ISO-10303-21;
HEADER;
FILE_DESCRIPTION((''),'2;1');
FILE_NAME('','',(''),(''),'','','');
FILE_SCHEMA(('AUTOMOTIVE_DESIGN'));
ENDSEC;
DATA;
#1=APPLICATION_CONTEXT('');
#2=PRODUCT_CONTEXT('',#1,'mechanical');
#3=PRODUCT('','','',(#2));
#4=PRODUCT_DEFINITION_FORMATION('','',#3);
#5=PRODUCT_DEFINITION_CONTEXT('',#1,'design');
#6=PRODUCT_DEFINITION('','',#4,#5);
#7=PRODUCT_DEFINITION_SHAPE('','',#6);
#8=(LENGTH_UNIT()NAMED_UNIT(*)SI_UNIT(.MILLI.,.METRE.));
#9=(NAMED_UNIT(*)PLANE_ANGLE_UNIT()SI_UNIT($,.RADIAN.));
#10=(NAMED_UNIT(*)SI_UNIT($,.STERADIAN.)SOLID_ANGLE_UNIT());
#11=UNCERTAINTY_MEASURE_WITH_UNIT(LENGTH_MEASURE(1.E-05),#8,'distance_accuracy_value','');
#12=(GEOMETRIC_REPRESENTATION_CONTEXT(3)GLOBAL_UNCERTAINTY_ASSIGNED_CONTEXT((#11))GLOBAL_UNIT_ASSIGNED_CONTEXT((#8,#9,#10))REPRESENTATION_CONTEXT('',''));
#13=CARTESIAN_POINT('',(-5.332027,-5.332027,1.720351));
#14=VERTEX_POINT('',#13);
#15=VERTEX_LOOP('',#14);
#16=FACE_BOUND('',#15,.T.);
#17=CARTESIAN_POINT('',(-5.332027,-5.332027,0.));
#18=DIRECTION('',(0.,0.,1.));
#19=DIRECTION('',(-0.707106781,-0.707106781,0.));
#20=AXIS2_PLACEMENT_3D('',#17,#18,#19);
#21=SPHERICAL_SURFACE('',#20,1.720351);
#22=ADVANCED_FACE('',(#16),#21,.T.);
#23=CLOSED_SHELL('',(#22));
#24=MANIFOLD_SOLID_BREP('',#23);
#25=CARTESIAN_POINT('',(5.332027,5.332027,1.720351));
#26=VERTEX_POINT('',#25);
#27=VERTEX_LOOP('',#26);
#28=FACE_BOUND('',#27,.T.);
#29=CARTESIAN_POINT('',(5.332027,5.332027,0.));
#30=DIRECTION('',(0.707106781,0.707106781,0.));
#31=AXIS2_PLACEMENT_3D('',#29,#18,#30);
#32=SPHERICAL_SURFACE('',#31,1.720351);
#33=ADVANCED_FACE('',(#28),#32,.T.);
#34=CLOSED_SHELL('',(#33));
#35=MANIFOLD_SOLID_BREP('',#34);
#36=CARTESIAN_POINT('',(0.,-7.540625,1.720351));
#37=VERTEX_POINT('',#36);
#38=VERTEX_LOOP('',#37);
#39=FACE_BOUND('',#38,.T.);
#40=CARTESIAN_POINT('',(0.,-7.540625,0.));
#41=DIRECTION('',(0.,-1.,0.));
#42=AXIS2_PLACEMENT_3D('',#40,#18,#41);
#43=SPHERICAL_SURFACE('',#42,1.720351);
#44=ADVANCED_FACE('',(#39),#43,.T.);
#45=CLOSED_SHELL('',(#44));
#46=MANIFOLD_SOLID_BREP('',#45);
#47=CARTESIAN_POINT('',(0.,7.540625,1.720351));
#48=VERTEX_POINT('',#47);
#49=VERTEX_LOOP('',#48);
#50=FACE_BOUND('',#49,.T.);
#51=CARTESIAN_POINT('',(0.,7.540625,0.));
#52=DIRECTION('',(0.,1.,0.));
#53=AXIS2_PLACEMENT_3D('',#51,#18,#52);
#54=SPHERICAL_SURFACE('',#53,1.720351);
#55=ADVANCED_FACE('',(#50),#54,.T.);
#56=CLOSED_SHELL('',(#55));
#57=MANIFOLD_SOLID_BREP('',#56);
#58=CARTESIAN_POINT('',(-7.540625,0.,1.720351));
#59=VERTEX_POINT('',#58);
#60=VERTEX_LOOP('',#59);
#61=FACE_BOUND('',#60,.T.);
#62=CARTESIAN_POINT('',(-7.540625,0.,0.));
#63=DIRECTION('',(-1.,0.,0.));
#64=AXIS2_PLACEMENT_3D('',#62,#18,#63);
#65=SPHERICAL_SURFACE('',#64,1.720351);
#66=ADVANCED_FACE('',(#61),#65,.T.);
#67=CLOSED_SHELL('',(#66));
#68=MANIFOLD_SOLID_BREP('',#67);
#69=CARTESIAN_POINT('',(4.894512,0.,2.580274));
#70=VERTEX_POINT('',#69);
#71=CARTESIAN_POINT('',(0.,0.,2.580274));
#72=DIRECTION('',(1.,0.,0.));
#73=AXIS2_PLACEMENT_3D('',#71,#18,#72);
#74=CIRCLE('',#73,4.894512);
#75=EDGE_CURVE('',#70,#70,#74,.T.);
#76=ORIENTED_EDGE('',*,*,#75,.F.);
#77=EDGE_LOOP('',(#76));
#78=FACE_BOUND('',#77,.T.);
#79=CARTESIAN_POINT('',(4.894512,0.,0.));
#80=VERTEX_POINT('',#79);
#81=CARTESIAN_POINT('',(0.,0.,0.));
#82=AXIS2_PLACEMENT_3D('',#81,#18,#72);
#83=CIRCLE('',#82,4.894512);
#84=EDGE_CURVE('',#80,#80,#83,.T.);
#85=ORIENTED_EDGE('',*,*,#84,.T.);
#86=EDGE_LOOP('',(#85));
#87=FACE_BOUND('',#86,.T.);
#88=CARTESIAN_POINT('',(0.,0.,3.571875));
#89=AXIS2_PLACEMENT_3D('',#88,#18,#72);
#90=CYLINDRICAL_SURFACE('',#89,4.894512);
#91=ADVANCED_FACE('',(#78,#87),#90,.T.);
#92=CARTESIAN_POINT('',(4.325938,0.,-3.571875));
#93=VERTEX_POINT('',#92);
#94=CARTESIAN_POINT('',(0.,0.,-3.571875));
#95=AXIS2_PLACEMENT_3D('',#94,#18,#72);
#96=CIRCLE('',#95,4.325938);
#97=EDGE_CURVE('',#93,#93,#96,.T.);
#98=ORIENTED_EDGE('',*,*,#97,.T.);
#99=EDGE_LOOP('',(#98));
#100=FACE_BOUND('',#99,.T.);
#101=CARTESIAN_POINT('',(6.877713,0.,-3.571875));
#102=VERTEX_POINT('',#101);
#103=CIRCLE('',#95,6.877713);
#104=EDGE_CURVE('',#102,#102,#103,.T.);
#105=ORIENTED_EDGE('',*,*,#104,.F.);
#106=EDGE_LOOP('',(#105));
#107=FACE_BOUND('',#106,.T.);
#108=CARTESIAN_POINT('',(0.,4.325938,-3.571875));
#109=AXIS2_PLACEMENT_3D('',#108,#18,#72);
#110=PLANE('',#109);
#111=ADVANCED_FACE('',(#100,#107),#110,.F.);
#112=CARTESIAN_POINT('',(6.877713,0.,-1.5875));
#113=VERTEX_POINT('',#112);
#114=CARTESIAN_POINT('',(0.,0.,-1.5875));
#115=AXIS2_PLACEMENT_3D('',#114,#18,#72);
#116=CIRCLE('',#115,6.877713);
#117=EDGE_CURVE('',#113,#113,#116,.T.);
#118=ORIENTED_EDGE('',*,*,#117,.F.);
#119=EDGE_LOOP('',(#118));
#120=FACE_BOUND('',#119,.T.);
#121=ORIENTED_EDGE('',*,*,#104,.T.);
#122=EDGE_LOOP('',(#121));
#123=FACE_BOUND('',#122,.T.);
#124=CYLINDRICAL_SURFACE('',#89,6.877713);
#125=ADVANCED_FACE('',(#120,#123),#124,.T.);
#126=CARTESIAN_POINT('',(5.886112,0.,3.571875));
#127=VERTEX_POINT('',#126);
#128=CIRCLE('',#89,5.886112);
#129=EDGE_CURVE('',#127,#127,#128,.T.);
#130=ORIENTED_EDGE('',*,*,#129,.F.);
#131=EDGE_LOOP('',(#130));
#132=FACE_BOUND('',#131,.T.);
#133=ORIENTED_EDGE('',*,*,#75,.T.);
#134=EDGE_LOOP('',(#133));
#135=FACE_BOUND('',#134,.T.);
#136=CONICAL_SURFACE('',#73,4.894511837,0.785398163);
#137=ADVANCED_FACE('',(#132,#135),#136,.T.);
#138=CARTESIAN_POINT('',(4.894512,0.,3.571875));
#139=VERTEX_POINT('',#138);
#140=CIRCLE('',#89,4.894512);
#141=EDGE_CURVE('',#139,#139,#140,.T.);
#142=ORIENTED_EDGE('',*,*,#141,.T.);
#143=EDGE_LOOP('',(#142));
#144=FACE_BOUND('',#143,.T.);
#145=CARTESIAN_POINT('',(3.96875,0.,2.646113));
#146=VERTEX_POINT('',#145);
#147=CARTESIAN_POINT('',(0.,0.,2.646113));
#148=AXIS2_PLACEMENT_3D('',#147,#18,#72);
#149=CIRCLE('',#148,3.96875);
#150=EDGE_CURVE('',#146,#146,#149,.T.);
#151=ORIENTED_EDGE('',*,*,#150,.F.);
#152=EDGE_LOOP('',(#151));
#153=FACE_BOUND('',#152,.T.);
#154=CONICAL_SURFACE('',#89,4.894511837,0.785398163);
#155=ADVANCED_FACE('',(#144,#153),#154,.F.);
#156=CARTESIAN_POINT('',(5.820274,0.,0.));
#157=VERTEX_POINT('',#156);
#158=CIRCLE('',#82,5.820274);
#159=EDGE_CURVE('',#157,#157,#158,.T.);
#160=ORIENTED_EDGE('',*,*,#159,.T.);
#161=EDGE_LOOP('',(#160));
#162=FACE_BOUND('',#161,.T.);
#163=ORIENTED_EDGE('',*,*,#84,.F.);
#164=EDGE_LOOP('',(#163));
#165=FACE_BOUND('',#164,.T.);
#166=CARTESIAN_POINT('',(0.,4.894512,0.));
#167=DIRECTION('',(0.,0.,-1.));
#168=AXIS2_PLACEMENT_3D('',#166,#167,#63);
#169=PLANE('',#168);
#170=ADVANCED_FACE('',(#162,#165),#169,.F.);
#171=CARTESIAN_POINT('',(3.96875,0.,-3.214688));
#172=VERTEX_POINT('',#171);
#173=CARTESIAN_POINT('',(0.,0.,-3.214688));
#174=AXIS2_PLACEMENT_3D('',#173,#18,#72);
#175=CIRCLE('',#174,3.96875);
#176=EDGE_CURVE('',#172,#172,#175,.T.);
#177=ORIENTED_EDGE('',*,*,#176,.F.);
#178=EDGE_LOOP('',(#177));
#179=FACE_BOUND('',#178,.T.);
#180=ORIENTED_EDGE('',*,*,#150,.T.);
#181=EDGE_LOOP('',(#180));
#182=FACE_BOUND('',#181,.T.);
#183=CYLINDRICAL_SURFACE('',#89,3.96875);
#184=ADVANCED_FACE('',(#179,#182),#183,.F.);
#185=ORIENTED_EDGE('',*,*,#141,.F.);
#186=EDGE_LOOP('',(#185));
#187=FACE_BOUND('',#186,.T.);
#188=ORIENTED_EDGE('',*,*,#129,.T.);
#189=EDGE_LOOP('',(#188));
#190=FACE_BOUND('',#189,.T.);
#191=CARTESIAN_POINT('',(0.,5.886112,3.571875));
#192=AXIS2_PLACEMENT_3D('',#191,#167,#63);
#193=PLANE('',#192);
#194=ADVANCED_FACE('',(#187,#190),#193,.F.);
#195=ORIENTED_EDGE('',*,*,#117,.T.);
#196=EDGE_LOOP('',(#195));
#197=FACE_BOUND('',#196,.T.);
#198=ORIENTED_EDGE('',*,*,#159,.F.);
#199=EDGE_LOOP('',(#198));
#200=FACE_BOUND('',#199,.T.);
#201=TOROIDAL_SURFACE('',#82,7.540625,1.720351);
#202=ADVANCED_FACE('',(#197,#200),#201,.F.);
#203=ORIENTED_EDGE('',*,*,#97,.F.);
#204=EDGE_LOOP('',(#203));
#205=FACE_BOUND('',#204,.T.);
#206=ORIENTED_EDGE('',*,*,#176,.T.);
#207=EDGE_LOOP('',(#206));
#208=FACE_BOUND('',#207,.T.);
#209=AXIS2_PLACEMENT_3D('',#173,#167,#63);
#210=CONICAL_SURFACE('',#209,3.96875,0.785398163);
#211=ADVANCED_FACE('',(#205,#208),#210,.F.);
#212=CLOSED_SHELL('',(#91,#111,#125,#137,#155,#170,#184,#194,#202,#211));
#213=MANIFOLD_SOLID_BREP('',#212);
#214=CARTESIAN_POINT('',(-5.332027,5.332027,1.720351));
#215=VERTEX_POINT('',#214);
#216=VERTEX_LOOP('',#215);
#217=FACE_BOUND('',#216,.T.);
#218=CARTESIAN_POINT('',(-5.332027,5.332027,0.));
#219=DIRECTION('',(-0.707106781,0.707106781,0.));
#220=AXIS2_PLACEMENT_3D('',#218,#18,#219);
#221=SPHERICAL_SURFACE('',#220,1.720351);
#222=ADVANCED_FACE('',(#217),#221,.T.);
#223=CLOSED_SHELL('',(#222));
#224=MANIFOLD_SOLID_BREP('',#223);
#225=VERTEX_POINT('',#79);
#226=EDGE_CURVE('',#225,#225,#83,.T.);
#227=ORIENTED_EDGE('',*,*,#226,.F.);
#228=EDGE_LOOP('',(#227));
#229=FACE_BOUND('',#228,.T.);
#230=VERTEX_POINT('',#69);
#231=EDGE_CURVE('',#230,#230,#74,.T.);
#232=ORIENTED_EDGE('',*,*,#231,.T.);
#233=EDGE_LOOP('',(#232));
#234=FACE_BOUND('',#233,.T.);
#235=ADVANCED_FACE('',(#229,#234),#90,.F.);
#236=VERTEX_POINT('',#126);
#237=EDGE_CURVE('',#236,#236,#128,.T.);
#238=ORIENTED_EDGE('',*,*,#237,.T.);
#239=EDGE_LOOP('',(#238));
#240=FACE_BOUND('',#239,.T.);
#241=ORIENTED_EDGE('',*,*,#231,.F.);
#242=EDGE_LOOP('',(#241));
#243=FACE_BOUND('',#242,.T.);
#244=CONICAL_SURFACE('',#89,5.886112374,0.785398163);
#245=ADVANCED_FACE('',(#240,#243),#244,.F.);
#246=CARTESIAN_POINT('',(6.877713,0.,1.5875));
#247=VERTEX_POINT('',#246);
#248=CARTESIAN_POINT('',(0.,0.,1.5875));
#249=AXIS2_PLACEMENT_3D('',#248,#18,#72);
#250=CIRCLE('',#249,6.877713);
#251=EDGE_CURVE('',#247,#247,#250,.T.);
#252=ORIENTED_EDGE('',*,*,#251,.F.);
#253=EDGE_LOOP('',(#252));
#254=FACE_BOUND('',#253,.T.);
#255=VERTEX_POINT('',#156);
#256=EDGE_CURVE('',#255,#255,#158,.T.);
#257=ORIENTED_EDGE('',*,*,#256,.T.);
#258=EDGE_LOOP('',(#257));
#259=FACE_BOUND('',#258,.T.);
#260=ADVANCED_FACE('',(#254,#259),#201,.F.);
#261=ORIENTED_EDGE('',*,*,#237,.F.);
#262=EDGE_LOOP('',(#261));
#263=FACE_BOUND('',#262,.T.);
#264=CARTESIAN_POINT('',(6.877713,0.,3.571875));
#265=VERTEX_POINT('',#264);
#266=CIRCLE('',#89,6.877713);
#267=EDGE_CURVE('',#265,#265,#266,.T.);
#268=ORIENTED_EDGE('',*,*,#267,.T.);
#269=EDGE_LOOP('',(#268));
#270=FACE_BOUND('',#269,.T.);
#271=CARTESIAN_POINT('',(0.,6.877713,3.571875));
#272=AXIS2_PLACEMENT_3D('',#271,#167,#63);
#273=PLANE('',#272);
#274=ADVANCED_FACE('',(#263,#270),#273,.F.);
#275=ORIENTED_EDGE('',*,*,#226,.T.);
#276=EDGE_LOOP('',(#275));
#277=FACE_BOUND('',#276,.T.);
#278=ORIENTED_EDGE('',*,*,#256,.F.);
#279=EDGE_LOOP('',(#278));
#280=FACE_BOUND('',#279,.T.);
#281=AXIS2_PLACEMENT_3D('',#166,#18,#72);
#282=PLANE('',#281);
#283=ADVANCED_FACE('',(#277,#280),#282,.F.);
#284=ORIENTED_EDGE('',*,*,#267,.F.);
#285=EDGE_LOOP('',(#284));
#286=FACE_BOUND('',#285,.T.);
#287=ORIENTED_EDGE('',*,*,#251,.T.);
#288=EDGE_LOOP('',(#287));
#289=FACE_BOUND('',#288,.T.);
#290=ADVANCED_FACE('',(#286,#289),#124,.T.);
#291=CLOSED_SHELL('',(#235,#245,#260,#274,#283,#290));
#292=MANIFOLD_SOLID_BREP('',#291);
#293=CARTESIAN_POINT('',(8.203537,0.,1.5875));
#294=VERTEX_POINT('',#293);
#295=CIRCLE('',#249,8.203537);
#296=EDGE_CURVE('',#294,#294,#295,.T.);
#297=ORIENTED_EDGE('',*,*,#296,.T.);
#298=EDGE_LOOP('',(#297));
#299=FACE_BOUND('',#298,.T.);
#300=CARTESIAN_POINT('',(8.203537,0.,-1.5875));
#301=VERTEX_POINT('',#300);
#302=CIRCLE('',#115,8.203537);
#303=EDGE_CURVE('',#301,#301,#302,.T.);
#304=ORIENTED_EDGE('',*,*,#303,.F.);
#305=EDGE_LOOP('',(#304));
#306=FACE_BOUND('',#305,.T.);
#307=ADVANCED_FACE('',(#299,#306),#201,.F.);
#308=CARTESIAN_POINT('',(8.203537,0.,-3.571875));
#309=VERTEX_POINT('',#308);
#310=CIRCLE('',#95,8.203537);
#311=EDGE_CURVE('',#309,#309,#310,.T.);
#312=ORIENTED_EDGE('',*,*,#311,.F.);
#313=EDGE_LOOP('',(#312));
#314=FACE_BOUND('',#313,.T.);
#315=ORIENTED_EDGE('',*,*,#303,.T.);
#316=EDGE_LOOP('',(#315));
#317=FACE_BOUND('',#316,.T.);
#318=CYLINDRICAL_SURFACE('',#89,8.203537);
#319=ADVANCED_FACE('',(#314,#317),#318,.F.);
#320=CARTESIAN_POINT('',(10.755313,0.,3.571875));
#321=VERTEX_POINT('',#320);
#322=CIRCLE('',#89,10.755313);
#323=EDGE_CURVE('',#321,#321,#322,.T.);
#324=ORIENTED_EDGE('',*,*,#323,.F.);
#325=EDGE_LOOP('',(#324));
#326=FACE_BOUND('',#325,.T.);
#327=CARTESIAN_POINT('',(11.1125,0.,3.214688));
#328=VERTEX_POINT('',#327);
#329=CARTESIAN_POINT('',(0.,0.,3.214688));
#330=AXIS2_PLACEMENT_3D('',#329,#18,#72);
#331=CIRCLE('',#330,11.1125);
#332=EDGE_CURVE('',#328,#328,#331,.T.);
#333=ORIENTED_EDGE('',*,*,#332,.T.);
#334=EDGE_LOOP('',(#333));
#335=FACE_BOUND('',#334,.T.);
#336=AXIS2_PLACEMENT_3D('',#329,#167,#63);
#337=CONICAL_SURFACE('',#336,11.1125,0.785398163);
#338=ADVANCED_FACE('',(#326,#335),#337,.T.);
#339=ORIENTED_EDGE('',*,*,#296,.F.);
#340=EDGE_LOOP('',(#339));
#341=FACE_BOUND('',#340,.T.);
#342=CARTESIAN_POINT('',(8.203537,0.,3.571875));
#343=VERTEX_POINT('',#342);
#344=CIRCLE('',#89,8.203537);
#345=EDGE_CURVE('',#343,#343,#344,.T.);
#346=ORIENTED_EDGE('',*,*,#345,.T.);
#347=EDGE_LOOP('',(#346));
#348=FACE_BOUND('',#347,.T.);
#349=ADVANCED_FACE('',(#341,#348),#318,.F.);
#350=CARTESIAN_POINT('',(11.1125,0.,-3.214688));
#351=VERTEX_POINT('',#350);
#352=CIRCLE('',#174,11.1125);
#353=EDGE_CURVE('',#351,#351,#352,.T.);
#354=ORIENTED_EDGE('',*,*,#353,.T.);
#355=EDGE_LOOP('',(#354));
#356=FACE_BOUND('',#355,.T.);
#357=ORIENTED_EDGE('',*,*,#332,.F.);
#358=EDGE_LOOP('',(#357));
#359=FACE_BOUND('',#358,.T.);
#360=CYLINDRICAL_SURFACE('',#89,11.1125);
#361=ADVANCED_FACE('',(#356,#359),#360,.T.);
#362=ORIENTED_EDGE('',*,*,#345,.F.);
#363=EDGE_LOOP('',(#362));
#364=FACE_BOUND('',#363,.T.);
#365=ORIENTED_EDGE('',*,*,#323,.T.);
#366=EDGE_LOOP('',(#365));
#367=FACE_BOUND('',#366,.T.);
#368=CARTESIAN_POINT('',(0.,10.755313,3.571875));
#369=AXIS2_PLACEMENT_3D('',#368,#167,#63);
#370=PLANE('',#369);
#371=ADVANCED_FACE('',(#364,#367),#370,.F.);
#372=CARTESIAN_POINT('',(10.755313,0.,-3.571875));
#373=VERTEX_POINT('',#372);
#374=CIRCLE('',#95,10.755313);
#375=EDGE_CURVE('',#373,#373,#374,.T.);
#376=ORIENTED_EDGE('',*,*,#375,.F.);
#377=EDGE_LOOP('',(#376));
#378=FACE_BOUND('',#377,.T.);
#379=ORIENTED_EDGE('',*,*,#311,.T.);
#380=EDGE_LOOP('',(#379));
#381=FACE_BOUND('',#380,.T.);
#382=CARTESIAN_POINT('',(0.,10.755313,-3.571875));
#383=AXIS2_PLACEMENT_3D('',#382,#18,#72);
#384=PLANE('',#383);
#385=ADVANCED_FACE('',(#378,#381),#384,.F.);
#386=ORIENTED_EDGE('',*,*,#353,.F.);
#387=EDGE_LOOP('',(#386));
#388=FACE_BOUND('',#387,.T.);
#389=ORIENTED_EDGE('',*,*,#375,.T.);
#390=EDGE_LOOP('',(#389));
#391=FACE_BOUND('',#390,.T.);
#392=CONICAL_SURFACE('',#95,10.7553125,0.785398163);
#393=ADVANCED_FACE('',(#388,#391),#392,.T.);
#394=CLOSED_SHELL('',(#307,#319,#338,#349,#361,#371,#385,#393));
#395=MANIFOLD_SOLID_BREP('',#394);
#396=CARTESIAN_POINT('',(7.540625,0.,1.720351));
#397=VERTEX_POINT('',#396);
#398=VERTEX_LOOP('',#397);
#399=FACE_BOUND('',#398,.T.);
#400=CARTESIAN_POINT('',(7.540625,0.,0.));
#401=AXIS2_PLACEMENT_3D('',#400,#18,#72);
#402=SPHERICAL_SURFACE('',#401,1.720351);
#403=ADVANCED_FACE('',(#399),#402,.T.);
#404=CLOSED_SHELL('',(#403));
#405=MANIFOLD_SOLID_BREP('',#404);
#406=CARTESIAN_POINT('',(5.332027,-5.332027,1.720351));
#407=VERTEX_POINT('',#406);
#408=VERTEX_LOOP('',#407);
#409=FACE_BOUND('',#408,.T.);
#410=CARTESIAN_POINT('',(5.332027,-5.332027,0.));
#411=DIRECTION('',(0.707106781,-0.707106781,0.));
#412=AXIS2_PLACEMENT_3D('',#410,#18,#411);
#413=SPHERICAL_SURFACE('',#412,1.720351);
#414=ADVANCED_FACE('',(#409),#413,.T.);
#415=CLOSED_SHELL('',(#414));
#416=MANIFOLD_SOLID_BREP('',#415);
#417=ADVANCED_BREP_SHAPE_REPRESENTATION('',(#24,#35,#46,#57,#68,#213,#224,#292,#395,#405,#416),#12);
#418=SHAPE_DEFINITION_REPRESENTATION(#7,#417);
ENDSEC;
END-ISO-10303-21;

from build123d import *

# Parameters (mm, degrees)
CIRPATTERN1_COUNT = 8


with BuildPart() as part:
    # Sketch1 → Revolve1 (revolve)
    with BuildSketch(Plane(origin=(0, 0, 0), x_dir=(0, 0, -1), z_dir=(1, 0, 0))):
        with BuildLine():
            Line((3.2146875, 11.1125), (-3.2146875, 11.1125))
            Line((-3.2146875, 11.1125), (-3.571875, 10.7553125))
            Line((-3.571875, 10.7553125), (-3.571875, 8.203537088))
            Line((-3.571875, 8.203537088), (-1.5875, 8.203537088))
            ThreePointArc((-1.5875, 8.203537088), (0, 9.260976326), (1.5875, 8.203537088))
            Line((1.5875, 8.203537088), (3.571875, 8.203537088))
            Line((3.571875, 8.203537088), (3.571875, 10.7553125))
            Line((3.571875, 10.7553125), (3.2146875, 11.1125))
        make_face()
    revolve(axis=Axis((0, 0, 3.571875), (0, 0, -1)))


with BuildPart() as body_2:
    # Sketch2 → Revolve2 (revolve)
    with BuildSketch(Plane(origin=(0, 0, 0), x_dir=(0, 0, -1), z_dir=(1, 0, 0))):
        with BuildLine():
            Line((-3.571875, 6.877712912), (-1.5875, 6.877712912))
            ThreePointArc((-1.5875, 6.877712912), (-0.95372087, 6.108834098), (0, 5.820273674))
            Line((0, 5.820273674), (0, 4.894511837))
            Line((0, 4.894511837), (-2.580274462, 4.894511837))
            Line((-2.580274462, 4.894511837), (-3.571875, 5.886112374))
            Line((-3.571875, 5.886112374), (-3.571875, 6.877712912))
        make_face()
    revolve(axis=Axis((0, 0, 3.571875), (0, 0, -1)))


with BuildPart() as body_3:
    # Sketch3 → Revolve3 (revolve)
    with BuildSketch(Plane(origin=(0, 0, 0), x_dir=(0, 0, -1), z_dir=(1, 0, 0))):
        with BuildLine():
            Line((-3.571875, 5.886112374), (-2.580274462, 4.894511837))
            Line((-2.580274462, 4.894511837), (0, 4.894511837))
            Line((0, 4.894511837), (0, 5.820273674))
            ThreePointArc((0, 5.820273674), (0.95372087, 6.108834098), (1.5875, 6.877712912))
            Line((1.5875, 6.877712912), (3.571875, 6.877712912))
            Line((3.571875, 6.877712912), (3.571875, 4.3259375))
            Line((3.571875, 4.3259375), (3.2146875, 3.96875))
            Line((3.2146875, 3.96875), (-2.646113163, 3.96875))
            Line((-2.646113163, 3.96875), (-3.571875, 4.894511837))
            Line((-3.571875, 4.894511837), (-3.571875, 5.886112374))
        make_face()
    revolve(axis=Axis((0, 0, 3.571875), (0, 0, -1)))


with BuildPart() as body_4:
    # Sketch4 → Revolve4 (revolve)
    with BuildSketch(Plane(origin=(0, 0, 0), x_dir=(0, 0, -1), z_dir=(1, 0, 0))):
        with BuildLine():
            Line((-1.720351326, 7.540625), (1.720351326, 7.540625))
            ThreePointArc((1.720351326, 7.540625), (0, 9.260976326), (-1.720351326, 7.540625))
        make_face()
    revolve(axis=Axis((0, 7.540625, 1.720351326), (0, 0, -1)))


with BuildPart() as cirpattern1_1:
    # CirPattern1: pattern copy
    add(body_4.part.rotate(Axis((0, 0, -3.571875), (0, 0, 1)), 1 * 360 / CIRPATTERN1_COUNT))


with BuildPart() as cirpattern1_2:
    # CirPattern1: pattern copy
    add(body_4.part.rotate(Axis((0, 0, -3.571875), (0, 0, 1)), 2 * 360 / CIRPATTERN1_COUNT))


with BuildPart() as cirpattern1_3:
    # CirPattern1: pattern copy
    add(body_4.part.rotate(Axis((0, 0, -3.571875), (0, 0, 1)), 3 * 360 / CIRPATTERN1_COUNT))


with BuildPart() as cirpattern1_4:
    # CirPattern1: pattern copy
    add(body_4.part.rotate(Axis((0, 0, -3.571875), (0, 0, 1)), 4 * 360 / CIRPATTERN1_COUNT))


with BuildPart() as cirpattern1_5:
    # CirPattern1: pattern copy
    add(body_4.part.rotate(Axis((0, 0, -3.571875), (0, 0, 1)), 5 * 360 / CIRPATTERN1_COUNT))


with BuildPart() as cirpattern1_6:
    # CirPattern1: pattern copy
    add(body_4.part.rotate(Axis((0, 0, -3.571875), (0, 0, 1)), 6 * 360 / CIRPATTERN1_COUNT))


with BuildPart() as cirpattern1_7:
    # CirPattern1: pattern copy
    add(body_4.part.rotate(Axis((0, 0, -3.571875), (0, 0, 1)), 7 * 360 / CIRPATTERN1_COUNT))


solid = Compound([part.part, body_2.part, body_3.part, body_4.part, cirpattern1_1.part, cirpattern1_2.part, cirpattern1_3.part, cirpattern1_4.part, cirpattern1_5.part, cirpattern1_6.part, cirpattern1_7.part])
